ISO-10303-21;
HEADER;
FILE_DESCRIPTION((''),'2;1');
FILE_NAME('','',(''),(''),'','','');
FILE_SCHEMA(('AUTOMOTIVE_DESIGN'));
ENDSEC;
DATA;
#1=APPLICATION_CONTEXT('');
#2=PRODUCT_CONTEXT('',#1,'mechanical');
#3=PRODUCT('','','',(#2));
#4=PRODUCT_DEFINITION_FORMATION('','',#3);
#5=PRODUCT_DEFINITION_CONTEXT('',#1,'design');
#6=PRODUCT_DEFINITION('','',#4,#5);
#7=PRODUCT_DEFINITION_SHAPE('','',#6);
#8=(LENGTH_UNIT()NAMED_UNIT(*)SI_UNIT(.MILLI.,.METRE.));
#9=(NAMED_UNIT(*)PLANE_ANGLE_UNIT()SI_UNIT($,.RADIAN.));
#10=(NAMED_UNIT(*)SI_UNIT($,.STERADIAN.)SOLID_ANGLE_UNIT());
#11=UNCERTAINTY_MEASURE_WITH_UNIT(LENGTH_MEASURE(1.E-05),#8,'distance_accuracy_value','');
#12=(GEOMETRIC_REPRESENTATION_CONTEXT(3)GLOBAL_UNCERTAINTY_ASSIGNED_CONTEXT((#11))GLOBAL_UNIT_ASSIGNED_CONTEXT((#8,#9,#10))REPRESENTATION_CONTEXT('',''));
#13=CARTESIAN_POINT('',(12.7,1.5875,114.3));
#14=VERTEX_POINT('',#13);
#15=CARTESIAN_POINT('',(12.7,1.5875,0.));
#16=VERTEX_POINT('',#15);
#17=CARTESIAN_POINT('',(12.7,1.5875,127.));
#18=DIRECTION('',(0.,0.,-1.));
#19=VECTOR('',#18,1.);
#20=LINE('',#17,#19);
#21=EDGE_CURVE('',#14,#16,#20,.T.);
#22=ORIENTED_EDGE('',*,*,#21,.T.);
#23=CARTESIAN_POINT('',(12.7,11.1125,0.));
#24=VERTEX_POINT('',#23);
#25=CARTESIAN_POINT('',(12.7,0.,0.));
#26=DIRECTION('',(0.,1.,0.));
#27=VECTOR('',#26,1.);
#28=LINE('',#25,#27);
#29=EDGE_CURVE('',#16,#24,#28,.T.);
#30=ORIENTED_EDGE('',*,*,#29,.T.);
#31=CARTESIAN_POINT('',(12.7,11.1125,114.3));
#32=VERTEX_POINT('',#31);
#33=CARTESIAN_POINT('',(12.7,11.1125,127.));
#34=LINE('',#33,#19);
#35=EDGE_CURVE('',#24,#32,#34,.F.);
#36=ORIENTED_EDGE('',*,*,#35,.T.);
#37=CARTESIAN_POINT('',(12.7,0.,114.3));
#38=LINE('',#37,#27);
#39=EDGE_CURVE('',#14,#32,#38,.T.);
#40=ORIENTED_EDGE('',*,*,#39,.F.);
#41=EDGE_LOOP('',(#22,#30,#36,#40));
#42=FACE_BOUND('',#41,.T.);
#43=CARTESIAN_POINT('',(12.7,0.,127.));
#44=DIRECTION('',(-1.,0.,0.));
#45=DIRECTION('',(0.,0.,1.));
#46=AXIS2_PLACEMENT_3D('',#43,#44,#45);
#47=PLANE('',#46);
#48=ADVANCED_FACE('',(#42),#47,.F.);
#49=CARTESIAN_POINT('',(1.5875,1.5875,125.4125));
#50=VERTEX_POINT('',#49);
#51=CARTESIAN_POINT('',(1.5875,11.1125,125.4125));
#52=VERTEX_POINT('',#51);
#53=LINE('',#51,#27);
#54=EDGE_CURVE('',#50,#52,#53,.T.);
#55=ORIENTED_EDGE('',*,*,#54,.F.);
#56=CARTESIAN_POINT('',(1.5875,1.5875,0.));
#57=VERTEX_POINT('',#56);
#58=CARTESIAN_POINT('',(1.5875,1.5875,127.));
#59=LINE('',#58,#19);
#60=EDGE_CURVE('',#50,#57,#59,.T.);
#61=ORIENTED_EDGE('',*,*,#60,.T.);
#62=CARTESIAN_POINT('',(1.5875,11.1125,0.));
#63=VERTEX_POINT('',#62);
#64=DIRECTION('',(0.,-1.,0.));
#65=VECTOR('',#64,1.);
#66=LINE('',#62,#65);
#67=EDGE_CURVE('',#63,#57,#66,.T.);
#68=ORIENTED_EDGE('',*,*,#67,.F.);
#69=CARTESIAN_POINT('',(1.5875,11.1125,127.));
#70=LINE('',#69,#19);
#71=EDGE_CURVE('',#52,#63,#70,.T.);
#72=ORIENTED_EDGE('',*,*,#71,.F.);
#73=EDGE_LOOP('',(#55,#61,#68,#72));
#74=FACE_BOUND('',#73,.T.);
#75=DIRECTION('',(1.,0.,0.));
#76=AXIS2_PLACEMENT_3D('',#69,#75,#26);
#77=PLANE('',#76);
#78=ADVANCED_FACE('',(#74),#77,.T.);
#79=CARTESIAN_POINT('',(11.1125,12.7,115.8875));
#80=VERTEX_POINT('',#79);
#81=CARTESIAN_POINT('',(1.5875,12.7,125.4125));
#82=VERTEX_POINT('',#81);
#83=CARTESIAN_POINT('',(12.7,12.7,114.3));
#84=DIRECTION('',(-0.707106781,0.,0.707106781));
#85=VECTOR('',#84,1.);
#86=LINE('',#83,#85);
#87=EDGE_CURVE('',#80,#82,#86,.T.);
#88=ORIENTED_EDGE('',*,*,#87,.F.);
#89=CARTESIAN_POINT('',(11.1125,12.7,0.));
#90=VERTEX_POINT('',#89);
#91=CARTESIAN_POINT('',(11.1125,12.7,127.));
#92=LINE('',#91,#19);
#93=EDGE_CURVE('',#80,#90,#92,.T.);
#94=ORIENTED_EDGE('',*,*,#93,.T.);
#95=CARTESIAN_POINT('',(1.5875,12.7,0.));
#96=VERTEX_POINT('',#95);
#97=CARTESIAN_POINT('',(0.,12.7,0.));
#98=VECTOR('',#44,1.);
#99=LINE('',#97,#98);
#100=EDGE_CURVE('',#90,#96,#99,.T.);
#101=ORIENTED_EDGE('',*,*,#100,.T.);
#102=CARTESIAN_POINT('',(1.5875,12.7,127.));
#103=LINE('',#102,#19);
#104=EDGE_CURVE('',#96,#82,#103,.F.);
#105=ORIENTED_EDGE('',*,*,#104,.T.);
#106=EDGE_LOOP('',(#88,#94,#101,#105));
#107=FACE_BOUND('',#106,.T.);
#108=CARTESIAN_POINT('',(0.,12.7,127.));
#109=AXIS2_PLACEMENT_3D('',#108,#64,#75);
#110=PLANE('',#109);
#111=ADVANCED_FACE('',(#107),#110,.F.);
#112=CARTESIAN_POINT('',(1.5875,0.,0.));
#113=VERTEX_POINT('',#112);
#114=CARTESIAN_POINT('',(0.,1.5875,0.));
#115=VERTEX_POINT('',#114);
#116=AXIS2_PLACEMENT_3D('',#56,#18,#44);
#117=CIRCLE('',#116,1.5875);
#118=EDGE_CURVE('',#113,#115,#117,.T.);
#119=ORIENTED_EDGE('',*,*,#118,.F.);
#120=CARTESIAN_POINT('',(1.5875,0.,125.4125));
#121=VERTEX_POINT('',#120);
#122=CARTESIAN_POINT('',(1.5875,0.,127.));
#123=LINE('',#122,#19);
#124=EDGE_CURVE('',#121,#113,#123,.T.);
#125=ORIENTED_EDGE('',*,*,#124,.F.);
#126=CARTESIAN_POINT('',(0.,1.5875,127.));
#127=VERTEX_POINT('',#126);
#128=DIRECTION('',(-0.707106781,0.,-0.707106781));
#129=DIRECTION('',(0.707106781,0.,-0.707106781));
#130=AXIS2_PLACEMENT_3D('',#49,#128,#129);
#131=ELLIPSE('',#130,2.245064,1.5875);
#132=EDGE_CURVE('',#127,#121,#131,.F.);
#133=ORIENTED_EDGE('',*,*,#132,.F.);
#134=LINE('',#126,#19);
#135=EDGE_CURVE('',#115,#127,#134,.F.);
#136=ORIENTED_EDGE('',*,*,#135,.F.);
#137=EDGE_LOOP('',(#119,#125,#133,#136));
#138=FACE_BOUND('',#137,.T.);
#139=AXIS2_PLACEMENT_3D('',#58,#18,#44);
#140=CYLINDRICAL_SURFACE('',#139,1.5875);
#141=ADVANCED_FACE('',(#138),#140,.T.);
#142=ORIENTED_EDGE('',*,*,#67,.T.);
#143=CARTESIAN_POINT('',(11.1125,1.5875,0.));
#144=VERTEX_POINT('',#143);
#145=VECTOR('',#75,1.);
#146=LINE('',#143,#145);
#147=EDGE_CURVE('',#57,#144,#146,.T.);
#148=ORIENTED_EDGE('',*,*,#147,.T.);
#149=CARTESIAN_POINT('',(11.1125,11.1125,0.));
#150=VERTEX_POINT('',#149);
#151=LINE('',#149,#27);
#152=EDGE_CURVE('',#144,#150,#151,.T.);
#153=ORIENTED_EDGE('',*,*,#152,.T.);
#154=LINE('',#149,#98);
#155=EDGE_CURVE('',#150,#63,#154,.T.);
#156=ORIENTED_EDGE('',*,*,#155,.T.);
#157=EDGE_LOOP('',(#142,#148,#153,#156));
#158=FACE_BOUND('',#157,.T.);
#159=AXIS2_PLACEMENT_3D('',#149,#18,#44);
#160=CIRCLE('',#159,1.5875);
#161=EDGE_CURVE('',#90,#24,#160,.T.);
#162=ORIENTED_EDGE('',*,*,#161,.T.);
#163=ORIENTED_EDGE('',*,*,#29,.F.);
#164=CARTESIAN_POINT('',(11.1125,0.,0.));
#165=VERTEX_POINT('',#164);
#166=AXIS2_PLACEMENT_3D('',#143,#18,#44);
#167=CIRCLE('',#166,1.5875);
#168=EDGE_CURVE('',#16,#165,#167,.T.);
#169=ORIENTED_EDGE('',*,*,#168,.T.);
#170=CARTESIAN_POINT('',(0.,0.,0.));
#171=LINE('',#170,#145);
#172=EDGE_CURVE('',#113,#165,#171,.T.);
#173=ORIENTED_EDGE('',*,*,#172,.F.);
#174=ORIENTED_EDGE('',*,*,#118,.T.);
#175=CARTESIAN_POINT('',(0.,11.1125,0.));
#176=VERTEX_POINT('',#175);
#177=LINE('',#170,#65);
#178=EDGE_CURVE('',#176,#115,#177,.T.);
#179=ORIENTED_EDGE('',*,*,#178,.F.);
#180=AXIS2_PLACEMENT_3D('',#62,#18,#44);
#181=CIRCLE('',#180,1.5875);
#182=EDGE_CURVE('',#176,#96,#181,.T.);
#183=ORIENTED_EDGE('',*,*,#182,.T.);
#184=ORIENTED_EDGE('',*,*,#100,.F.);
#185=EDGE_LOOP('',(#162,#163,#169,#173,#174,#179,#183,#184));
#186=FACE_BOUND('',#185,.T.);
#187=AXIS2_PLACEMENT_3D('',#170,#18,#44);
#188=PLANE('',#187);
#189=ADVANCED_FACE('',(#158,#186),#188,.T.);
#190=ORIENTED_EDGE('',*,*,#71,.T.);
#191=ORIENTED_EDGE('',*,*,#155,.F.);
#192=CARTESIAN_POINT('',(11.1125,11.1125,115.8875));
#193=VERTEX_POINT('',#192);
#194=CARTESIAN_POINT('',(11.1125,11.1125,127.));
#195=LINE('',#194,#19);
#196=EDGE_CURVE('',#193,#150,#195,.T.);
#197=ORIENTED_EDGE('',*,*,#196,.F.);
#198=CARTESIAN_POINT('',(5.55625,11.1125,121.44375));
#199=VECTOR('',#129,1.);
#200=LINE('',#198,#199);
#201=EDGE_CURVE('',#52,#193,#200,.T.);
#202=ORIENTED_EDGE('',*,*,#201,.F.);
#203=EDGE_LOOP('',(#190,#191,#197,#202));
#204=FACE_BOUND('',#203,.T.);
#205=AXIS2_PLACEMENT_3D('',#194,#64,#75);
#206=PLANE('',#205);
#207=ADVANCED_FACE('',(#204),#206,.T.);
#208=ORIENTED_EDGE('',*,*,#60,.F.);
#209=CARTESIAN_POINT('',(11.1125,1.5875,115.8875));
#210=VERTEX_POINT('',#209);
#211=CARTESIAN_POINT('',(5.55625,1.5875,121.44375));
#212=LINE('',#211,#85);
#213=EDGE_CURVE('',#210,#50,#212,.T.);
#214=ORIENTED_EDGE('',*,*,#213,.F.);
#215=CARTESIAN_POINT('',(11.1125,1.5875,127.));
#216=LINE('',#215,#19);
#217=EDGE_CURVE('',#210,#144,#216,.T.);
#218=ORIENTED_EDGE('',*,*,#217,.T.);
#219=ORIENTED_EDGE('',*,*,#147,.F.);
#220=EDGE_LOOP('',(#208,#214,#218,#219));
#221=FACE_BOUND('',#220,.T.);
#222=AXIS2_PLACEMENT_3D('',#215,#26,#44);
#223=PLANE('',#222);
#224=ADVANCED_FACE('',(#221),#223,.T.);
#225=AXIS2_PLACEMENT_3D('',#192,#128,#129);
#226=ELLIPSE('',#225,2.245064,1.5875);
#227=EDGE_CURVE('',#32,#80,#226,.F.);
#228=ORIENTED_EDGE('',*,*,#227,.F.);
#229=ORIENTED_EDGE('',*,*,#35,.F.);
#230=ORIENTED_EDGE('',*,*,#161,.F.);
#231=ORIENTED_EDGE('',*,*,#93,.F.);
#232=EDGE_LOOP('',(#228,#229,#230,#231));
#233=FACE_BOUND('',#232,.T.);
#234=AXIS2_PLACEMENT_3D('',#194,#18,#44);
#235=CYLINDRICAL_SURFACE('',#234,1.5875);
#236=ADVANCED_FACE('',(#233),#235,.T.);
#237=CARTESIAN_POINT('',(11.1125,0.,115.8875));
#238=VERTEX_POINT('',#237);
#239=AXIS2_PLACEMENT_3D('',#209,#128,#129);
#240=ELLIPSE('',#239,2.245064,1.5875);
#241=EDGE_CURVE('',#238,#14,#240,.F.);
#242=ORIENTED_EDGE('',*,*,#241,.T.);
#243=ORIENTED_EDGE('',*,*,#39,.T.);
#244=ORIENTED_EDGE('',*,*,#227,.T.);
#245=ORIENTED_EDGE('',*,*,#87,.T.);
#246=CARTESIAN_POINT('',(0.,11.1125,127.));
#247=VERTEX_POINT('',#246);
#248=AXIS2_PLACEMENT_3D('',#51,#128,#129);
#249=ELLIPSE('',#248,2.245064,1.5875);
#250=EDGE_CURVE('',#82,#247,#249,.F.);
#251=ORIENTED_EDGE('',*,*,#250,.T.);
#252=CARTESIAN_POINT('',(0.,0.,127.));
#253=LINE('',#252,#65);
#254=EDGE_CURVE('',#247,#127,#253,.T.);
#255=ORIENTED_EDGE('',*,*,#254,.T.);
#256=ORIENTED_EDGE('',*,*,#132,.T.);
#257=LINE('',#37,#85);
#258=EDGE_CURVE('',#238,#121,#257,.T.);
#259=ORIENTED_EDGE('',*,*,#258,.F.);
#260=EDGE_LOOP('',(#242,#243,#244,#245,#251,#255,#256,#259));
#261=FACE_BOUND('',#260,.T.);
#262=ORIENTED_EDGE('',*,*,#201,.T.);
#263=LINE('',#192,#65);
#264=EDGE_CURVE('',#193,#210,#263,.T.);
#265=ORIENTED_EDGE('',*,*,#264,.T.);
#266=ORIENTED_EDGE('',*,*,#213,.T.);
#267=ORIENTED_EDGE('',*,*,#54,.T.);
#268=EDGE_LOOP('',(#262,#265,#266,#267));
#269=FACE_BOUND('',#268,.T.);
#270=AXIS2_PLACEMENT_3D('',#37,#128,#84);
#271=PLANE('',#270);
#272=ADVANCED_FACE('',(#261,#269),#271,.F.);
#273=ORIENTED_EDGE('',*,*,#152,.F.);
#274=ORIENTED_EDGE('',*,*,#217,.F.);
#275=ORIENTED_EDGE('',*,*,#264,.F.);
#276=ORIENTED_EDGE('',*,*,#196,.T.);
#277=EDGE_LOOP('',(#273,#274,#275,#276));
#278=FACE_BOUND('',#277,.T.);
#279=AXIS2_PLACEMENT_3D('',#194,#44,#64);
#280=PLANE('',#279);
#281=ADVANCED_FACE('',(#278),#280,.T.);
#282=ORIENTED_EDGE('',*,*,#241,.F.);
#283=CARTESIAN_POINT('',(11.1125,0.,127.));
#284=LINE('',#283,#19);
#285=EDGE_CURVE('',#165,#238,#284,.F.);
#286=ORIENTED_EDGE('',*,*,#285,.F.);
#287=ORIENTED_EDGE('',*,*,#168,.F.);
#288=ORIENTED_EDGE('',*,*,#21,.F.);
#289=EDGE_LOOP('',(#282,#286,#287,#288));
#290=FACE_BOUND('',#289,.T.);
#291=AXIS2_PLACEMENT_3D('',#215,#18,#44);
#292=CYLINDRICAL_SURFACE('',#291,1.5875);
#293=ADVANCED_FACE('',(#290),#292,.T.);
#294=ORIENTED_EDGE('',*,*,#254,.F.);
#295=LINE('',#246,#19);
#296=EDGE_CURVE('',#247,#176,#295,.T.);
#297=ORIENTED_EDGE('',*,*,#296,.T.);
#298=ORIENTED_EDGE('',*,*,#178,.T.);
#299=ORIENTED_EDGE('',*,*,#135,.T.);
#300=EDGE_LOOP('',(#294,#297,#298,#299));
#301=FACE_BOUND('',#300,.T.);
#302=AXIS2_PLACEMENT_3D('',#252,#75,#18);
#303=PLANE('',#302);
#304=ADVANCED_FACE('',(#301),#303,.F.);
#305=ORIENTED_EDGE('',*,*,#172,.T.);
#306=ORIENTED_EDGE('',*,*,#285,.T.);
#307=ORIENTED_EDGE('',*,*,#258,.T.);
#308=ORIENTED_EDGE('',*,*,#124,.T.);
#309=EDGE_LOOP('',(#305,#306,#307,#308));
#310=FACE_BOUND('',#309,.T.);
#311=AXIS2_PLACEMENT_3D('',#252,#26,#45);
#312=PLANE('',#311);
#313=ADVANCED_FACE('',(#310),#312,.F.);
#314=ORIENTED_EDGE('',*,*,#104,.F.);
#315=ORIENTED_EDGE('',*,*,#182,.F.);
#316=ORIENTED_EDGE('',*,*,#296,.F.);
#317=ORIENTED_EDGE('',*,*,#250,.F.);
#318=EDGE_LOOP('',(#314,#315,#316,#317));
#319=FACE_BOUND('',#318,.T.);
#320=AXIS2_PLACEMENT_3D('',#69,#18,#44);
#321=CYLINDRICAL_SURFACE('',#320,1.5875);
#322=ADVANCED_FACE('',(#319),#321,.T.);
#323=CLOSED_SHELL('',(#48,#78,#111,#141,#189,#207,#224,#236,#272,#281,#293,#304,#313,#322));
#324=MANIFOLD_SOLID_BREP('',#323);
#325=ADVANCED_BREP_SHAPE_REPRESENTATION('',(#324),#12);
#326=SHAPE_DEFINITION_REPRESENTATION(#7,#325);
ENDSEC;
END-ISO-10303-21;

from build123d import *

# Parameters (mm, degrees)
SKETCH1_W           = 12.7
SKETCH1_H           = 12.7
SKETCH1_W_2         = 9.525
SKETCH1_H_2         = 9.525
BOSS_EXTRUDE1_DEPTH = 127
CUT_EXTRUDE1_DEPTH  = 13.7
FILLET1_R           = 1.5875


with BuildPart() as part:
    # Sketch1 → Boss-Extrude1 (new body)
    with BuildSketch(Plane.XY):
        with Locations((6.35, 6.35)):
            Rectangle(SKETCH1_W, SKETCH1_H)
        with Locations((6.35, 6.35)):
            Rectangle(SKETCH1_W_2, SKETCH1_H_2, mode=Mode.SUBTRACT)
    extrude(amount=BOSS_EXTRUDE1_DEPTH)

    # Sketch2 → Cut-Extrude1 (cut, through all)
    with BuildSketch(Plane(origin=(0, 12.7, 0), x_dir=(1, 0, 0), z_dir=(0, 1, 0))):
        Polygon((0, -127), (12.7, -127), (12.7, -114.3), align=None)
    extrude(amount=-CUT_EXTRUDE1_DEPTH, mode=Mode.SUBTRACT)

    # Fillet1
    fillet1_edges = [part.edges().sort_by_distance(p)[0] for p in [
        (12.7, 12.7, 57.15),
        (12.7, 0, 57.15),
        (0, 12.7, 63.5),
        (0, 0, 63.5),
    ]]
    fillet(fillet1_edges, radius=FILLET1_R)


solid = part.part
